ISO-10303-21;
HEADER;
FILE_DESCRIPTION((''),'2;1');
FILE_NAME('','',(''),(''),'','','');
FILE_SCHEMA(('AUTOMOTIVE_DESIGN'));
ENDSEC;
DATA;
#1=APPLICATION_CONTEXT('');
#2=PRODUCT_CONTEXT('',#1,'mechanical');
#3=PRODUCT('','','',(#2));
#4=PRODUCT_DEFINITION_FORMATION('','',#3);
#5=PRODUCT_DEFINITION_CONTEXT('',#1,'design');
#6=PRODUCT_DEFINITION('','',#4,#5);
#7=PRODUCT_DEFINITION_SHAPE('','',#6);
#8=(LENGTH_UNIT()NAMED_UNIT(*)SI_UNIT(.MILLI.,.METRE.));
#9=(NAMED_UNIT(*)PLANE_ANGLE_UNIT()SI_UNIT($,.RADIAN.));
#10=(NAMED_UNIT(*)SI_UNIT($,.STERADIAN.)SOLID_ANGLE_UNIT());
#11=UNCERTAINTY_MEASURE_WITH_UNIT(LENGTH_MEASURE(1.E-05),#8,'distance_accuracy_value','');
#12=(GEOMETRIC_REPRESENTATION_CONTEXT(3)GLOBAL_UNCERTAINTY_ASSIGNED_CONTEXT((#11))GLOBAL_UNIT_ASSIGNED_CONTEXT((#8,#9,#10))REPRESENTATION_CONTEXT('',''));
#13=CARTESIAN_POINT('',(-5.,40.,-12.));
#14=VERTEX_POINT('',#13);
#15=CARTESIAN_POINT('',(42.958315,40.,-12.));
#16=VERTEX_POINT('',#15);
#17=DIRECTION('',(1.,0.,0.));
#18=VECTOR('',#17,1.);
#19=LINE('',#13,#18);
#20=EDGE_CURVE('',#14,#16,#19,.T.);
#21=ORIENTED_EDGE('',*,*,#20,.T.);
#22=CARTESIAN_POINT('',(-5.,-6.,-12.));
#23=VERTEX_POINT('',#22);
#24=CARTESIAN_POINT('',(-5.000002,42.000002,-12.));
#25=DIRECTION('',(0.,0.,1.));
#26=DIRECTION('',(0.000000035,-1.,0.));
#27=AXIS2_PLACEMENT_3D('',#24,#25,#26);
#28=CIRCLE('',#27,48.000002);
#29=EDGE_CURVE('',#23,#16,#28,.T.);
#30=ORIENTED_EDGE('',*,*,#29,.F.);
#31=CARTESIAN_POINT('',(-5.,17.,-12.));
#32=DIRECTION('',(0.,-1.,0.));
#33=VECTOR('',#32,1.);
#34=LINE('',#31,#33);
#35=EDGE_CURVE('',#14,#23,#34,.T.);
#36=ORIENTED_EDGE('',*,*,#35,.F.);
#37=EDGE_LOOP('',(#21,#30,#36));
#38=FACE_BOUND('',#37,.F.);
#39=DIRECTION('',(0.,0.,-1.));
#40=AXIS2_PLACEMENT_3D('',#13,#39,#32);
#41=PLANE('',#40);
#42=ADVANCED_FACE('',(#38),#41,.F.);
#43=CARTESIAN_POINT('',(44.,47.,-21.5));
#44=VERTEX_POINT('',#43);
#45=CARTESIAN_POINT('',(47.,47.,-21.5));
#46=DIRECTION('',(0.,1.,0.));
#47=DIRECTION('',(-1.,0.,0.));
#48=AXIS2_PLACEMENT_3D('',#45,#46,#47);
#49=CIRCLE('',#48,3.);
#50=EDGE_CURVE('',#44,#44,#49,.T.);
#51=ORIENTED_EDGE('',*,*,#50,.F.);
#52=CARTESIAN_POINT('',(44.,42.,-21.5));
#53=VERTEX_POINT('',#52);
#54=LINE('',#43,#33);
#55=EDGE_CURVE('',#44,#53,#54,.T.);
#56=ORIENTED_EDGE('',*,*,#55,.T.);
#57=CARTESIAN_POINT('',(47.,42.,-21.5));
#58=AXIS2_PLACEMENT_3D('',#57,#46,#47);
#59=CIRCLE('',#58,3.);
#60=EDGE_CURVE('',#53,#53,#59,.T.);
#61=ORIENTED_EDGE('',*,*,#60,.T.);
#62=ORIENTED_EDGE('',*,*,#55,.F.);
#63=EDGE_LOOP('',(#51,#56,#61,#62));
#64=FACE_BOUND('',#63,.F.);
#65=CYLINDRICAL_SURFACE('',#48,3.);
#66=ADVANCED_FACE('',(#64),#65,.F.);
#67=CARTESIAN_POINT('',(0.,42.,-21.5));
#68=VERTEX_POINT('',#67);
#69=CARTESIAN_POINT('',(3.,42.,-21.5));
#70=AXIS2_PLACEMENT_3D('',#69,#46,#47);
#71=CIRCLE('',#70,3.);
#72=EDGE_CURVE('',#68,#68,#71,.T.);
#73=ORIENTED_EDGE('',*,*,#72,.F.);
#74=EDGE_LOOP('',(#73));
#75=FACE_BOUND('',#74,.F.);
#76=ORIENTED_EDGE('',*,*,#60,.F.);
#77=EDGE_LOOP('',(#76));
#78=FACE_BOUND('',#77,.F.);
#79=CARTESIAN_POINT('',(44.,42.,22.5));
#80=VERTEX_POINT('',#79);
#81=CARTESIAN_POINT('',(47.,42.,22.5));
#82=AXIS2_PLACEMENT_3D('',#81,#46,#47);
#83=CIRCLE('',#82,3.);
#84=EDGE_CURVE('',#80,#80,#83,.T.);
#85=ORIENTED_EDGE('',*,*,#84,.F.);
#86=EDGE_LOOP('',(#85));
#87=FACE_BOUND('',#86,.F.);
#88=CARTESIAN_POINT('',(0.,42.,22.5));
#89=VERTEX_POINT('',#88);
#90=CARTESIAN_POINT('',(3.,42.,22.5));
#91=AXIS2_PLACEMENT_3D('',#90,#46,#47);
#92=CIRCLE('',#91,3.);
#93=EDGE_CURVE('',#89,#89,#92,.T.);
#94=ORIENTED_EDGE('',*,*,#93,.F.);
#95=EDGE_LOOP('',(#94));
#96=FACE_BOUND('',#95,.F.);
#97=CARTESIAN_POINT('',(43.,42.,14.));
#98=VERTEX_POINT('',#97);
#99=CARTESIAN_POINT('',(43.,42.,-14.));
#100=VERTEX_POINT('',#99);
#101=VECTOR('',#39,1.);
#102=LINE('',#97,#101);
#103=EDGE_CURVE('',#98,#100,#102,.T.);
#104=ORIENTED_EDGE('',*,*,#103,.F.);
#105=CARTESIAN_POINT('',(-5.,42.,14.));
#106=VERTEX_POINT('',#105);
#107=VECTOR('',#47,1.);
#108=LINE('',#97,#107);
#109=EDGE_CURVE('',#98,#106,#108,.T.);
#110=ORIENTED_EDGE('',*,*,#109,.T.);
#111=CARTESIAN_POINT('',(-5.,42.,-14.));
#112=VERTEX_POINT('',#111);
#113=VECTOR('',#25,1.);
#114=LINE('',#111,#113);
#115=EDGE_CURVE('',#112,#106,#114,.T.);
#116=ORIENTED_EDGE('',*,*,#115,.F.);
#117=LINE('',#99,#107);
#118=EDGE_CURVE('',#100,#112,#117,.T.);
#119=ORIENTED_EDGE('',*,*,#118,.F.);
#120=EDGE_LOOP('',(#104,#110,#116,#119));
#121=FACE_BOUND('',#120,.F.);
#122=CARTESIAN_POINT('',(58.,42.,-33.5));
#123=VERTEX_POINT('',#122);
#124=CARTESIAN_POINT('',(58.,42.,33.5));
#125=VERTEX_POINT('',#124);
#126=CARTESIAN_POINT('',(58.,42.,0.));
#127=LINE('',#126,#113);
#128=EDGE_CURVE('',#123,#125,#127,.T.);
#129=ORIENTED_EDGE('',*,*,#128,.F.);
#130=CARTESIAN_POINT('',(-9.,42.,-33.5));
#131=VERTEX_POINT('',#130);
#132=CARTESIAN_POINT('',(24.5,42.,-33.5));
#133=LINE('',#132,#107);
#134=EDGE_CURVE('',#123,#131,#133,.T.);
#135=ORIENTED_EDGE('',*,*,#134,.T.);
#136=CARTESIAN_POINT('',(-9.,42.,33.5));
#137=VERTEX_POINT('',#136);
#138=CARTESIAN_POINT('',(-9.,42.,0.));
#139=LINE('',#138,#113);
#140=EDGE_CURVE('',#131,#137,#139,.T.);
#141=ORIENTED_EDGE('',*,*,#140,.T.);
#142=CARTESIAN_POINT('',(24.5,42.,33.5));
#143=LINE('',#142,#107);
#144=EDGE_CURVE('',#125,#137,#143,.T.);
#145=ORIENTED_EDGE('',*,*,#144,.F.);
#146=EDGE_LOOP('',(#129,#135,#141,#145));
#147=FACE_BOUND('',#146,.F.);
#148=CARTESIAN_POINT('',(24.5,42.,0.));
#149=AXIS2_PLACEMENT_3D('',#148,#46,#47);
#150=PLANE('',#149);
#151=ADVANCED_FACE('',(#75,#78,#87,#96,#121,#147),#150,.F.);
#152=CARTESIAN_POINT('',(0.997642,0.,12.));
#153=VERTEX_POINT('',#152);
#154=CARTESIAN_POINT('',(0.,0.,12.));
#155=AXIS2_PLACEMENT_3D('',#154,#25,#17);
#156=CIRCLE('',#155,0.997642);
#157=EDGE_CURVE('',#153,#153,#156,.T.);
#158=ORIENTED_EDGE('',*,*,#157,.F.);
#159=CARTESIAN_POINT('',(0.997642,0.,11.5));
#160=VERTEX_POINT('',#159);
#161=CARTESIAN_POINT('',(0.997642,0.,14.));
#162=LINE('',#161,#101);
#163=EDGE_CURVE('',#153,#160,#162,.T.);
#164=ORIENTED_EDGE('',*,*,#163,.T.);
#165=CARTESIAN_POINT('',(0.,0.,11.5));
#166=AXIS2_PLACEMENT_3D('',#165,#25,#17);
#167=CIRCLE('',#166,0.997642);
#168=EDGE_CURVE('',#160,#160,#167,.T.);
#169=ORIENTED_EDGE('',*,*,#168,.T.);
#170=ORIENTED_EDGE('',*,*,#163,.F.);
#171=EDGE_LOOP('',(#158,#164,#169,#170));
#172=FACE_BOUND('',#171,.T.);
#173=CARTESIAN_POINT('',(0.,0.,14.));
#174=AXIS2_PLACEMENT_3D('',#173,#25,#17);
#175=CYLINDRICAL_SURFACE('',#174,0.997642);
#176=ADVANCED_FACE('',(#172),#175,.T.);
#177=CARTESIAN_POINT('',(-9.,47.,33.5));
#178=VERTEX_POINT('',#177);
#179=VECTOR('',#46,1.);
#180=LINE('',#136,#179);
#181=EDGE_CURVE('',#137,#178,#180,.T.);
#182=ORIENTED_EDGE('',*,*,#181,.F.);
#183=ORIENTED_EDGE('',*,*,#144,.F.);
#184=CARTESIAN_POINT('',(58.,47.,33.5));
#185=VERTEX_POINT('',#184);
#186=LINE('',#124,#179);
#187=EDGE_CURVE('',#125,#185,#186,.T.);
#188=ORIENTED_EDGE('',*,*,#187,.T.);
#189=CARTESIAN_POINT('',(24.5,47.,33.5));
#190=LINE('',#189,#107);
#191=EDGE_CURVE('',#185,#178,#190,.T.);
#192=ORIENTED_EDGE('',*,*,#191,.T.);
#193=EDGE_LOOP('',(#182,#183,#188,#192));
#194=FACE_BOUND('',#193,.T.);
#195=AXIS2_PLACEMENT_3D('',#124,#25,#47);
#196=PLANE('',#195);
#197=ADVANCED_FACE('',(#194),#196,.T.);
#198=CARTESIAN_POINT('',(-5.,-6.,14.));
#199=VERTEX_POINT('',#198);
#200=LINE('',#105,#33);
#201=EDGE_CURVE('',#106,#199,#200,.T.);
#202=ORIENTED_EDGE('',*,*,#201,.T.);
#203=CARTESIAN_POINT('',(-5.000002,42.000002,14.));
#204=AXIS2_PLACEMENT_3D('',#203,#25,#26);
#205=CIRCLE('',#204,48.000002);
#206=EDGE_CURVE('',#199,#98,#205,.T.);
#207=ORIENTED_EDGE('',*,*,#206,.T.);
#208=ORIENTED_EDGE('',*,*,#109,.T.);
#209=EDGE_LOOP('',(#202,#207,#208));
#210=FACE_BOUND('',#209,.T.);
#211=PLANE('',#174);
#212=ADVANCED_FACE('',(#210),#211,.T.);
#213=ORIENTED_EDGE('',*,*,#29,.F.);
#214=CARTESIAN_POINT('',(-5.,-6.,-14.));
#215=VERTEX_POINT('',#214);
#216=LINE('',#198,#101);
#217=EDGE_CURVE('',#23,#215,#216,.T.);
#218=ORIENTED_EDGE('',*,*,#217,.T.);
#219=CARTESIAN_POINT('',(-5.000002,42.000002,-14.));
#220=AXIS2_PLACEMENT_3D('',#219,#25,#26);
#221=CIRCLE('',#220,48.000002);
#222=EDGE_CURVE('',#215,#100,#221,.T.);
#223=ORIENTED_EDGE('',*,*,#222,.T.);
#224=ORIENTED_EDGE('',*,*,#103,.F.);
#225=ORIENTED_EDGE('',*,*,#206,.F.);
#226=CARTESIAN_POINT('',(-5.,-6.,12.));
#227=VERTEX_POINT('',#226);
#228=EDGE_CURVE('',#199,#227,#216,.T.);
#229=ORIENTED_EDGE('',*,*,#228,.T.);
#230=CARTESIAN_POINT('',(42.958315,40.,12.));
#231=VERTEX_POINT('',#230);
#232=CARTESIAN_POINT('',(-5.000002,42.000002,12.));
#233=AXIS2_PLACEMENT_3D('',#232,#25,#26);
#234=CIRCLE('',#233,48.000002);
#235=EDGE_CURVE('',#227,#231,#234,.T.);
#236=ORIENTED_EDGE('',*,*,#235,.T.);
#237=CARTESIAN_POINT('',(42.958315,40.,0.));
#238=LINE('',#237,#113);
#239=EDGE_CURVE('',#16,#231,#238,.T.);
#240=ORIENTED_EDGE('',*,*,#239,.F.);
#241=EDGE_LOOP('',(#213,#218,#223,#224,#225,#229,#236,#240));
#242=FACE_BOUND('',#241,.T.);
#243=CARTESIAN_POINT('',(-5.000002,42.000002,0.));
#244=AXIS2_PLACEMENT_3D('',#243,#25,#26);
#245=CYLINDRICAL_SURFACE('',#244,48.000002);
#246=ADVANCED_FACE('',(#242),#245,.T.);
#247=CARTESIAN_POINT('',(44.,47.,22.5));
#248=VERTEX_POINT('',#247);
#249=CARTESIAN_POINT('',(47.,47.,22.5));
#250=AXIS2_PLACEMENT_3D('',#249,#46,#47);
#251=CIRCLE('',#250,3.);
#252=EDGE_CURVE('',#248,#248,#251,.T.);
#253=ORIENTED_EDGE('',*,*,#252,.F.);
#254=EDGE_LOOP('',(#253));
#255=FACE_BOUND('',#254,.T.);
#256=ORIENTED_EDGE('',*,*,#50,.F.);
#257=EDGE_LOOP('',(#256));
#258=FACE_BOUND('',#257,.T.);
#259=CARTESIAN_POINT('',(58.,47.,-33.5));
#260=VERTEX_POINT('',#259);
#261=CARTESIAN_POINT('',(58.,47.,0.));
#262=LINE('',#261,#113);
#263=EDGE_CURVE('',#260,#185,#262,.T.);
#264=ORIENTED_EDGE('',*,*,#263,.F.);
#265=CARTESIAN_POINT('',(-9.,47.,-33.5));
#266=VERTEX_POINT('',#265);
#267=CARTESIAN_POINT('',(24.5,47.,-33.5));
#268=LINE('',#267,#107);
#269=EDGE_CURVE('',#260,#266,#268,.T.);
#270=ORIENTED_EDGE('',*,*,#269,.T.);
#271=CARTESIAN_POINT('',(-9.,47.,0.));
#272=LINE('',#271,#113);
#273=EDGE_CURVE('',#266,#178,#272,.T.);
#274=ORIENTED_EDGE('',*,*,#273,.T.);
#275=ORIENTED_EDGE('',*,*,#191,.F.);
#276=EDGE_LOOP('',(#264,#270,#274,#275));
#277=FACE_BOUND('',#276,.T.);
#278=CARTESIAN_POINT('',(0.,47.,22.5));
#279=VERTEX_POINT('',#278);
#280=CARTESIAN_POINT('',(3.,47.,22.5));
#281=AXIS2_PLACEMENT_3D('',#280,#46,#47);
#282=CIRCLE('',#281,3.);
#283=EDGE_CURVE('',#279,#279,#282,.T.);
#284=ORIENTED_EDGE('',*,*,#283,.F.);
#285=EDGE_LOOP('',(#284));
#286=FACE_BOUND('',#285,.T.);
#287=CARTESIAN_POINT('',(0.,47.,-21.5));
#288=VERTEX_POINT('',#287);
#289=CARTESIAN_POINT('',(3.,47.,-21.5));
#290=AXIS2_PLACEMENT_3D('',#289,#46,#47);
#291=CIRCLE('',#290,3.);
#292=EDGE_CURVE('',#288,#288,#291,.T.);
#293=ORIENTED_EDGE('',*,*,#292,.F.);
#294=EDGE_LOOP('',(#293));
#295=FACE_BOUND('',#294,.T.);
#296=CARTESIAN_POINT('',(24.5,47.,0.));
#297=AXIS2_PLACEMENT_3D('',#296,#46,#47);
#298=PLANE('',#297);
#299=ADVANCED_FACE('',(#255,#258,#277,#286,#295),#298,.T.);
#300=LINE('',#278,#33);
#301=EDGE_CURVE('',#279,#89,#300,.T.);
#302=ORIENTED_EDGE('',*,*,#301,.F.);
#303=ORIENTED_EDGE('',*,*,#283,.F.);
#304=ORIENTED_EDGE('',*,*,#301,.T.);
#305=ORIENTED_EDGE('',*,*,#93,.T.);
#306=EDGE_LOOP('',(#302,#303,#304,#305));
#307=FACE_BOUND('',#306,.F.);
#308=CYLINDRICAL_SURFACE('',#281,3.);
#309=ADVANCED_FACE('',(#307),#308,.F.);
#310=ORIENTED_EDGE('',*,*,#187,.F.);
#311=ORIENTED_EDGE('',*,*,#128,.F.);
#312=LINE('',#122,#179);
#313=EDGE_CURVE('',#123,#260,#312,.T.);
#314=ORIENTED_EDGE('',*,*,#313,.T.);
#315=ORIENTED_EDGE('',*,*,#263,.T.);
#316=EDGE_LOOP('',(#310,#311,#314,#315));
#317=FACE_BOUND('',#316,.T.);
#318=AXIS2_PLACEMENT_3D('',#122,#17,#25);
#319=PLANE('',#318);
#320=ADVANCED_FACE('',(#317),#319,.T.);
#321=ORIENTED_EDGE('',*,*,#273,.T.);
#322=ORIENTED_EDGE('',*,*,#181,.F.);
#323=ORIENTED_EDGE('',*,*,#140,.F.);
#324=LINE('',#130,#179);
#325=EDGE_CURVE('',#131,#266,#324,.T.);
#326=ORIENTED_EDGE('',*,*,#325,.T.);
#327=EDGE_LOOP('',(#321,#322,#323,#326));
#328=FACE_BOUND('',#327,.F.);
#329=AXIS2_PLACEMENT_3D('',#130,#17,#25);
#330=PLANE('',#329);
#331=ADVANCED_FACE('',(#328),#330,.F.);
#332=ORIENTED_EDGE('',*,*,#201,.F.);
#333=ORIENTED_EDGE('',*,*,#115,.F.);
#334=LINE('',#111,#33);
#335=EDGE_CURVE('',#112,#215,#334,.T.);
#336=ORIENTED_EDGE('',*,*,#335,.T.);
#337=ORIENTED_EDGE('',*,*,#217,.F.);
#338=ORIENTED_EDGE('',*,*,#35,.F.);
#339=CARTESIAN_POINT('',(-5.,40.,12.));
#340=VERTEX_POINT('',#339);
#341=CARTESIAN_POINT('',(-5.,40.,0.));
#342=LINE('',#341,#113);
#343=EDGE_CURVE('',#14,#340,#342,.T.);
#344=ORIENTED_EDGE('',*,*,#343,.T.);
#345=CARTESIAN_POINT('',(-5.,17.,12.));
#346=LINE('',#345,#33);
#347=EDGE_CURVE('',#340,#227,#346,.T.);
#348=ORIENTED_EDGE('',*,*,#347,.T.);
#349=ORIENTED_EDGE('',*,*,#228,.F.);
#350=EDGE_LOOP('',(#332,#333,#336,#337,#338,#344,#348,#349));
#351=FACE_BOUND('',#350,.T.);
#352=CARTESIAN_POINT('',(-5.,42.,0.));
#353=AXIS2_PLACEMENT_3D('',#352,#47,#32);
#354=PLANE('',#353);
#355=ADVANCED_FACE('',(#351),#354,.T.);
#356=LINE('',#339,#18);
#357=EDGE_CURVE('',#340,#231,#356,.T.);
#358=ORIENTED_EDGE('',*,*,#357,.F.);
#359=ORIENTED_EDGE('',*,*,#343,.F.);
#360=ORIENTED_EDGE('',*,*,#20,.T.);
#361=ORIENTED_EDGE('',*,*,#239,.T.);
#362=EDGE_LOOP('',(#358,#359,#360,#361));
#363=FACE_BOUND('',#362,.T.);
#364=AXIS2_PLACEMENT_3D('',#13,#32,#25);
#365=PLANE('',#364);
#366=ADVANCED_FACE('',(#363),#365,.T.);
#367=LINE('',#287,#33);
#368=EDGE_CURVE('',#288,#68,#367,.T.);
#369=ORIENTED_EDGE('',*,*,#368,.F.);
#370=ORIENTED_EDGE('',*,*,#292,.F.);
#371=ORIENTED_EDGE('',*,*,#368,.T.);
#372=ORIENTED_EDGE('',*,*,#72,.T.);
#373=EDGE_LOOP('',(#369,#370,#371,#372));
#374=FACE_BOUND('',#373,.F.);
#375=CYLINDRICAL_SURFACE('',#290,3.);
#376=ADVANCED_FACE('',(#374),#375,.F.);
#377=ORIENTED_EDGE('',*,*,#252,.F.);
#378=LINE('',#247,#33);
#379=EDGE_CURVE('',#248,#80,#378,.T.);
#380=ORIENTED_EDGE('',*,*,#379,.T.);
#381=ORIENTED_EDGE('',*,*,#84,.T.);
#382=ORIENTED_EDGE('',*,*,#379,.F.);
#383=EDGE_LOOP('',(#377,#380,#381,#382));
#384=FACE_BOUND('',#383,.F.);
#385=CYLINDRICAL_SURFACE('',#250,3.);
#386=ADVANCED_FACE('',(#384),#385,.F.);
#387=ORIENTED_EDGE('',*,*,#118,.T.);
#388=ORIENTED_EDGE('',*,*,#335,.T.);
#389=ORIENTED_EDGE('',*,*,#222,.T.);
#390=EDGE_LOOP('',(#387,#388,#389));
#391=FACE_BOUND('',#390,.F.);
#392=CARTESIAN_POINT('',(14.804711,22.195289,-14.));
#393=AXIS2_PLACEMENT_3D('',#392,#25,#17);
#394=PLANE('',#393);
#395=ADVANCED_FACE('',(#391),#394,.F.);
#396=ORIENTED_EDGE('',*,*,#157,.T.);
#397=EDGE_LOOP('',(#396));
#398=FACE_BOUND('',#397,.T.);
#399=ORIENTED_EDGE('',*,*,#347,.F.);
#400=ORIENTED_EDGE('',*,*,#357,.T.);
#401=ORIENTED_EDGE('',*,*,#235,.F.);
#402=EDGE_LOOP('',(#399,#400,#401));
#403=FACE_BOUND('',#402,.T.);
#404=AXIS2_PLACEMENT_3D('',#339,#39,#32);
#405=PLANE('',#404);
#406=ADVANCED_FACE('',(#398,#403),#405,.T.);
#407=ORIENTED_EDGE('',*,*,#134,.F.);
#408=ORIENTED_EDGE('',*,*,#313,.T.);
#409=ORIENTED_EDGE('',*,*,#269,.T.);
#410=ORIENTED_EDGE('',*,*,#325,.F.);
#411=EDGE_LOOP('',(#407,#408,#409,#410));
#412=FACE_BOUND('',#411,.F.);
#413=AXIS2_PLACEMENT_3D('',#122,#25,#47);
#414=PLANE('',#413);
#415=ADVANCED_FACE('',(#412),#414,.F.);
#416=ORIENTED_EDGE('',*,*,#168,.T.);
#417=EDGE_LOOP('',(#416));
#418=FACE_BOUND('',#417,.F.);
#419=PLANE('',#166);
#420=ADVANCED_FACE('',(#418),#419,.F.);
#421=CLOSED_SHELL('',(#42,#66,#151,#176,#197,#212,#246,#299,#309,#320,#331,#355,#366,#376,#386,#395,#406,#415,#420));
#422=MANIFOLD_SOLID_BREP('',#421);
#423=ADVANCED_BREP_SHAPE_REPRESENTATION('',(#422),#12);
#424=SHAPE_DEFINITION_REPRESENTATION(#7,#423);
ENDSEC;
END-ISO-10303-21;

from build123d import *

# Parameters (mm, degrees)
F1_DEPTH = 14
F2_W     = 46
F2_H     = 24
F3_DEPTH = 55
F4_R     = 0.997642
F5_DEPTH = 2.5
F6_W     = 67
F6_H     = 67
F7_DEPTH = 5
F8_R     = 3
F9_DEPTH = 25


with BuildPart() as f1:
    # F0 (on Top) → F1 (new body, symmetric)
    with BuildSketch(Plane.XY):
        with BuildLine():
            Line((43, 42), (-5, 42))
            Line((-5, 42), (-5, -6))
            ThreePointArc((-5, -6), (28.941125, 8.058875), (43, 42))
        make_face()
    extrude(amount=F1_DEPTH, both=True)

    # F2 (on face) → F3 (cut)
    with BuildSketch(Plane(origin=(-5, 0, 0), x_dir=(0, -1, 0), z_dir=(-1, 0, 0))):
        with Locations((-17, 0)):
            Rectangle(F2_W, F2_H)
    extrude(amount=-F3_DEPTH, mode=Mode.SUBTRACT)

    # F4 (on face) → F5 (join)
    with BuildSketch(Plane.XY.offset(14)):
        Circle(F4_R)
    extrude(amount=-F5_DEPTH)

    # F6 (on face) → F7 (join)
    with BuildSketch(Plane(origin=(0, 42, 0), x_dir=(-1, 0, 0), z_dir=(0, 1, 0))):
        with Locations((-24.5, 0)):
            Rectangle(F6_W, F6_H)
    extrude(amount=F7_DEPTH)

    # F8 (on face) → F9 (cut)
    with BuildSketch(Plane(origin=(0, 47, 0), x_dir=(-1, 0, 0), z_dir=(0, 1, 0))):
        with Locations((-47, 22.5)):
            Circle(F8_R)
        with Locations((-3, 22.5)):
            Circle(F8_R)
        with Locations((-47, -21.5)):
            Circle(F8_R)
        with Locations((-3, -21.5)):
            Circle(F8_R)
    extrude(amount=-F9_DEPTH, mode=Mode.SUBTRACT)


solid = f1.part
